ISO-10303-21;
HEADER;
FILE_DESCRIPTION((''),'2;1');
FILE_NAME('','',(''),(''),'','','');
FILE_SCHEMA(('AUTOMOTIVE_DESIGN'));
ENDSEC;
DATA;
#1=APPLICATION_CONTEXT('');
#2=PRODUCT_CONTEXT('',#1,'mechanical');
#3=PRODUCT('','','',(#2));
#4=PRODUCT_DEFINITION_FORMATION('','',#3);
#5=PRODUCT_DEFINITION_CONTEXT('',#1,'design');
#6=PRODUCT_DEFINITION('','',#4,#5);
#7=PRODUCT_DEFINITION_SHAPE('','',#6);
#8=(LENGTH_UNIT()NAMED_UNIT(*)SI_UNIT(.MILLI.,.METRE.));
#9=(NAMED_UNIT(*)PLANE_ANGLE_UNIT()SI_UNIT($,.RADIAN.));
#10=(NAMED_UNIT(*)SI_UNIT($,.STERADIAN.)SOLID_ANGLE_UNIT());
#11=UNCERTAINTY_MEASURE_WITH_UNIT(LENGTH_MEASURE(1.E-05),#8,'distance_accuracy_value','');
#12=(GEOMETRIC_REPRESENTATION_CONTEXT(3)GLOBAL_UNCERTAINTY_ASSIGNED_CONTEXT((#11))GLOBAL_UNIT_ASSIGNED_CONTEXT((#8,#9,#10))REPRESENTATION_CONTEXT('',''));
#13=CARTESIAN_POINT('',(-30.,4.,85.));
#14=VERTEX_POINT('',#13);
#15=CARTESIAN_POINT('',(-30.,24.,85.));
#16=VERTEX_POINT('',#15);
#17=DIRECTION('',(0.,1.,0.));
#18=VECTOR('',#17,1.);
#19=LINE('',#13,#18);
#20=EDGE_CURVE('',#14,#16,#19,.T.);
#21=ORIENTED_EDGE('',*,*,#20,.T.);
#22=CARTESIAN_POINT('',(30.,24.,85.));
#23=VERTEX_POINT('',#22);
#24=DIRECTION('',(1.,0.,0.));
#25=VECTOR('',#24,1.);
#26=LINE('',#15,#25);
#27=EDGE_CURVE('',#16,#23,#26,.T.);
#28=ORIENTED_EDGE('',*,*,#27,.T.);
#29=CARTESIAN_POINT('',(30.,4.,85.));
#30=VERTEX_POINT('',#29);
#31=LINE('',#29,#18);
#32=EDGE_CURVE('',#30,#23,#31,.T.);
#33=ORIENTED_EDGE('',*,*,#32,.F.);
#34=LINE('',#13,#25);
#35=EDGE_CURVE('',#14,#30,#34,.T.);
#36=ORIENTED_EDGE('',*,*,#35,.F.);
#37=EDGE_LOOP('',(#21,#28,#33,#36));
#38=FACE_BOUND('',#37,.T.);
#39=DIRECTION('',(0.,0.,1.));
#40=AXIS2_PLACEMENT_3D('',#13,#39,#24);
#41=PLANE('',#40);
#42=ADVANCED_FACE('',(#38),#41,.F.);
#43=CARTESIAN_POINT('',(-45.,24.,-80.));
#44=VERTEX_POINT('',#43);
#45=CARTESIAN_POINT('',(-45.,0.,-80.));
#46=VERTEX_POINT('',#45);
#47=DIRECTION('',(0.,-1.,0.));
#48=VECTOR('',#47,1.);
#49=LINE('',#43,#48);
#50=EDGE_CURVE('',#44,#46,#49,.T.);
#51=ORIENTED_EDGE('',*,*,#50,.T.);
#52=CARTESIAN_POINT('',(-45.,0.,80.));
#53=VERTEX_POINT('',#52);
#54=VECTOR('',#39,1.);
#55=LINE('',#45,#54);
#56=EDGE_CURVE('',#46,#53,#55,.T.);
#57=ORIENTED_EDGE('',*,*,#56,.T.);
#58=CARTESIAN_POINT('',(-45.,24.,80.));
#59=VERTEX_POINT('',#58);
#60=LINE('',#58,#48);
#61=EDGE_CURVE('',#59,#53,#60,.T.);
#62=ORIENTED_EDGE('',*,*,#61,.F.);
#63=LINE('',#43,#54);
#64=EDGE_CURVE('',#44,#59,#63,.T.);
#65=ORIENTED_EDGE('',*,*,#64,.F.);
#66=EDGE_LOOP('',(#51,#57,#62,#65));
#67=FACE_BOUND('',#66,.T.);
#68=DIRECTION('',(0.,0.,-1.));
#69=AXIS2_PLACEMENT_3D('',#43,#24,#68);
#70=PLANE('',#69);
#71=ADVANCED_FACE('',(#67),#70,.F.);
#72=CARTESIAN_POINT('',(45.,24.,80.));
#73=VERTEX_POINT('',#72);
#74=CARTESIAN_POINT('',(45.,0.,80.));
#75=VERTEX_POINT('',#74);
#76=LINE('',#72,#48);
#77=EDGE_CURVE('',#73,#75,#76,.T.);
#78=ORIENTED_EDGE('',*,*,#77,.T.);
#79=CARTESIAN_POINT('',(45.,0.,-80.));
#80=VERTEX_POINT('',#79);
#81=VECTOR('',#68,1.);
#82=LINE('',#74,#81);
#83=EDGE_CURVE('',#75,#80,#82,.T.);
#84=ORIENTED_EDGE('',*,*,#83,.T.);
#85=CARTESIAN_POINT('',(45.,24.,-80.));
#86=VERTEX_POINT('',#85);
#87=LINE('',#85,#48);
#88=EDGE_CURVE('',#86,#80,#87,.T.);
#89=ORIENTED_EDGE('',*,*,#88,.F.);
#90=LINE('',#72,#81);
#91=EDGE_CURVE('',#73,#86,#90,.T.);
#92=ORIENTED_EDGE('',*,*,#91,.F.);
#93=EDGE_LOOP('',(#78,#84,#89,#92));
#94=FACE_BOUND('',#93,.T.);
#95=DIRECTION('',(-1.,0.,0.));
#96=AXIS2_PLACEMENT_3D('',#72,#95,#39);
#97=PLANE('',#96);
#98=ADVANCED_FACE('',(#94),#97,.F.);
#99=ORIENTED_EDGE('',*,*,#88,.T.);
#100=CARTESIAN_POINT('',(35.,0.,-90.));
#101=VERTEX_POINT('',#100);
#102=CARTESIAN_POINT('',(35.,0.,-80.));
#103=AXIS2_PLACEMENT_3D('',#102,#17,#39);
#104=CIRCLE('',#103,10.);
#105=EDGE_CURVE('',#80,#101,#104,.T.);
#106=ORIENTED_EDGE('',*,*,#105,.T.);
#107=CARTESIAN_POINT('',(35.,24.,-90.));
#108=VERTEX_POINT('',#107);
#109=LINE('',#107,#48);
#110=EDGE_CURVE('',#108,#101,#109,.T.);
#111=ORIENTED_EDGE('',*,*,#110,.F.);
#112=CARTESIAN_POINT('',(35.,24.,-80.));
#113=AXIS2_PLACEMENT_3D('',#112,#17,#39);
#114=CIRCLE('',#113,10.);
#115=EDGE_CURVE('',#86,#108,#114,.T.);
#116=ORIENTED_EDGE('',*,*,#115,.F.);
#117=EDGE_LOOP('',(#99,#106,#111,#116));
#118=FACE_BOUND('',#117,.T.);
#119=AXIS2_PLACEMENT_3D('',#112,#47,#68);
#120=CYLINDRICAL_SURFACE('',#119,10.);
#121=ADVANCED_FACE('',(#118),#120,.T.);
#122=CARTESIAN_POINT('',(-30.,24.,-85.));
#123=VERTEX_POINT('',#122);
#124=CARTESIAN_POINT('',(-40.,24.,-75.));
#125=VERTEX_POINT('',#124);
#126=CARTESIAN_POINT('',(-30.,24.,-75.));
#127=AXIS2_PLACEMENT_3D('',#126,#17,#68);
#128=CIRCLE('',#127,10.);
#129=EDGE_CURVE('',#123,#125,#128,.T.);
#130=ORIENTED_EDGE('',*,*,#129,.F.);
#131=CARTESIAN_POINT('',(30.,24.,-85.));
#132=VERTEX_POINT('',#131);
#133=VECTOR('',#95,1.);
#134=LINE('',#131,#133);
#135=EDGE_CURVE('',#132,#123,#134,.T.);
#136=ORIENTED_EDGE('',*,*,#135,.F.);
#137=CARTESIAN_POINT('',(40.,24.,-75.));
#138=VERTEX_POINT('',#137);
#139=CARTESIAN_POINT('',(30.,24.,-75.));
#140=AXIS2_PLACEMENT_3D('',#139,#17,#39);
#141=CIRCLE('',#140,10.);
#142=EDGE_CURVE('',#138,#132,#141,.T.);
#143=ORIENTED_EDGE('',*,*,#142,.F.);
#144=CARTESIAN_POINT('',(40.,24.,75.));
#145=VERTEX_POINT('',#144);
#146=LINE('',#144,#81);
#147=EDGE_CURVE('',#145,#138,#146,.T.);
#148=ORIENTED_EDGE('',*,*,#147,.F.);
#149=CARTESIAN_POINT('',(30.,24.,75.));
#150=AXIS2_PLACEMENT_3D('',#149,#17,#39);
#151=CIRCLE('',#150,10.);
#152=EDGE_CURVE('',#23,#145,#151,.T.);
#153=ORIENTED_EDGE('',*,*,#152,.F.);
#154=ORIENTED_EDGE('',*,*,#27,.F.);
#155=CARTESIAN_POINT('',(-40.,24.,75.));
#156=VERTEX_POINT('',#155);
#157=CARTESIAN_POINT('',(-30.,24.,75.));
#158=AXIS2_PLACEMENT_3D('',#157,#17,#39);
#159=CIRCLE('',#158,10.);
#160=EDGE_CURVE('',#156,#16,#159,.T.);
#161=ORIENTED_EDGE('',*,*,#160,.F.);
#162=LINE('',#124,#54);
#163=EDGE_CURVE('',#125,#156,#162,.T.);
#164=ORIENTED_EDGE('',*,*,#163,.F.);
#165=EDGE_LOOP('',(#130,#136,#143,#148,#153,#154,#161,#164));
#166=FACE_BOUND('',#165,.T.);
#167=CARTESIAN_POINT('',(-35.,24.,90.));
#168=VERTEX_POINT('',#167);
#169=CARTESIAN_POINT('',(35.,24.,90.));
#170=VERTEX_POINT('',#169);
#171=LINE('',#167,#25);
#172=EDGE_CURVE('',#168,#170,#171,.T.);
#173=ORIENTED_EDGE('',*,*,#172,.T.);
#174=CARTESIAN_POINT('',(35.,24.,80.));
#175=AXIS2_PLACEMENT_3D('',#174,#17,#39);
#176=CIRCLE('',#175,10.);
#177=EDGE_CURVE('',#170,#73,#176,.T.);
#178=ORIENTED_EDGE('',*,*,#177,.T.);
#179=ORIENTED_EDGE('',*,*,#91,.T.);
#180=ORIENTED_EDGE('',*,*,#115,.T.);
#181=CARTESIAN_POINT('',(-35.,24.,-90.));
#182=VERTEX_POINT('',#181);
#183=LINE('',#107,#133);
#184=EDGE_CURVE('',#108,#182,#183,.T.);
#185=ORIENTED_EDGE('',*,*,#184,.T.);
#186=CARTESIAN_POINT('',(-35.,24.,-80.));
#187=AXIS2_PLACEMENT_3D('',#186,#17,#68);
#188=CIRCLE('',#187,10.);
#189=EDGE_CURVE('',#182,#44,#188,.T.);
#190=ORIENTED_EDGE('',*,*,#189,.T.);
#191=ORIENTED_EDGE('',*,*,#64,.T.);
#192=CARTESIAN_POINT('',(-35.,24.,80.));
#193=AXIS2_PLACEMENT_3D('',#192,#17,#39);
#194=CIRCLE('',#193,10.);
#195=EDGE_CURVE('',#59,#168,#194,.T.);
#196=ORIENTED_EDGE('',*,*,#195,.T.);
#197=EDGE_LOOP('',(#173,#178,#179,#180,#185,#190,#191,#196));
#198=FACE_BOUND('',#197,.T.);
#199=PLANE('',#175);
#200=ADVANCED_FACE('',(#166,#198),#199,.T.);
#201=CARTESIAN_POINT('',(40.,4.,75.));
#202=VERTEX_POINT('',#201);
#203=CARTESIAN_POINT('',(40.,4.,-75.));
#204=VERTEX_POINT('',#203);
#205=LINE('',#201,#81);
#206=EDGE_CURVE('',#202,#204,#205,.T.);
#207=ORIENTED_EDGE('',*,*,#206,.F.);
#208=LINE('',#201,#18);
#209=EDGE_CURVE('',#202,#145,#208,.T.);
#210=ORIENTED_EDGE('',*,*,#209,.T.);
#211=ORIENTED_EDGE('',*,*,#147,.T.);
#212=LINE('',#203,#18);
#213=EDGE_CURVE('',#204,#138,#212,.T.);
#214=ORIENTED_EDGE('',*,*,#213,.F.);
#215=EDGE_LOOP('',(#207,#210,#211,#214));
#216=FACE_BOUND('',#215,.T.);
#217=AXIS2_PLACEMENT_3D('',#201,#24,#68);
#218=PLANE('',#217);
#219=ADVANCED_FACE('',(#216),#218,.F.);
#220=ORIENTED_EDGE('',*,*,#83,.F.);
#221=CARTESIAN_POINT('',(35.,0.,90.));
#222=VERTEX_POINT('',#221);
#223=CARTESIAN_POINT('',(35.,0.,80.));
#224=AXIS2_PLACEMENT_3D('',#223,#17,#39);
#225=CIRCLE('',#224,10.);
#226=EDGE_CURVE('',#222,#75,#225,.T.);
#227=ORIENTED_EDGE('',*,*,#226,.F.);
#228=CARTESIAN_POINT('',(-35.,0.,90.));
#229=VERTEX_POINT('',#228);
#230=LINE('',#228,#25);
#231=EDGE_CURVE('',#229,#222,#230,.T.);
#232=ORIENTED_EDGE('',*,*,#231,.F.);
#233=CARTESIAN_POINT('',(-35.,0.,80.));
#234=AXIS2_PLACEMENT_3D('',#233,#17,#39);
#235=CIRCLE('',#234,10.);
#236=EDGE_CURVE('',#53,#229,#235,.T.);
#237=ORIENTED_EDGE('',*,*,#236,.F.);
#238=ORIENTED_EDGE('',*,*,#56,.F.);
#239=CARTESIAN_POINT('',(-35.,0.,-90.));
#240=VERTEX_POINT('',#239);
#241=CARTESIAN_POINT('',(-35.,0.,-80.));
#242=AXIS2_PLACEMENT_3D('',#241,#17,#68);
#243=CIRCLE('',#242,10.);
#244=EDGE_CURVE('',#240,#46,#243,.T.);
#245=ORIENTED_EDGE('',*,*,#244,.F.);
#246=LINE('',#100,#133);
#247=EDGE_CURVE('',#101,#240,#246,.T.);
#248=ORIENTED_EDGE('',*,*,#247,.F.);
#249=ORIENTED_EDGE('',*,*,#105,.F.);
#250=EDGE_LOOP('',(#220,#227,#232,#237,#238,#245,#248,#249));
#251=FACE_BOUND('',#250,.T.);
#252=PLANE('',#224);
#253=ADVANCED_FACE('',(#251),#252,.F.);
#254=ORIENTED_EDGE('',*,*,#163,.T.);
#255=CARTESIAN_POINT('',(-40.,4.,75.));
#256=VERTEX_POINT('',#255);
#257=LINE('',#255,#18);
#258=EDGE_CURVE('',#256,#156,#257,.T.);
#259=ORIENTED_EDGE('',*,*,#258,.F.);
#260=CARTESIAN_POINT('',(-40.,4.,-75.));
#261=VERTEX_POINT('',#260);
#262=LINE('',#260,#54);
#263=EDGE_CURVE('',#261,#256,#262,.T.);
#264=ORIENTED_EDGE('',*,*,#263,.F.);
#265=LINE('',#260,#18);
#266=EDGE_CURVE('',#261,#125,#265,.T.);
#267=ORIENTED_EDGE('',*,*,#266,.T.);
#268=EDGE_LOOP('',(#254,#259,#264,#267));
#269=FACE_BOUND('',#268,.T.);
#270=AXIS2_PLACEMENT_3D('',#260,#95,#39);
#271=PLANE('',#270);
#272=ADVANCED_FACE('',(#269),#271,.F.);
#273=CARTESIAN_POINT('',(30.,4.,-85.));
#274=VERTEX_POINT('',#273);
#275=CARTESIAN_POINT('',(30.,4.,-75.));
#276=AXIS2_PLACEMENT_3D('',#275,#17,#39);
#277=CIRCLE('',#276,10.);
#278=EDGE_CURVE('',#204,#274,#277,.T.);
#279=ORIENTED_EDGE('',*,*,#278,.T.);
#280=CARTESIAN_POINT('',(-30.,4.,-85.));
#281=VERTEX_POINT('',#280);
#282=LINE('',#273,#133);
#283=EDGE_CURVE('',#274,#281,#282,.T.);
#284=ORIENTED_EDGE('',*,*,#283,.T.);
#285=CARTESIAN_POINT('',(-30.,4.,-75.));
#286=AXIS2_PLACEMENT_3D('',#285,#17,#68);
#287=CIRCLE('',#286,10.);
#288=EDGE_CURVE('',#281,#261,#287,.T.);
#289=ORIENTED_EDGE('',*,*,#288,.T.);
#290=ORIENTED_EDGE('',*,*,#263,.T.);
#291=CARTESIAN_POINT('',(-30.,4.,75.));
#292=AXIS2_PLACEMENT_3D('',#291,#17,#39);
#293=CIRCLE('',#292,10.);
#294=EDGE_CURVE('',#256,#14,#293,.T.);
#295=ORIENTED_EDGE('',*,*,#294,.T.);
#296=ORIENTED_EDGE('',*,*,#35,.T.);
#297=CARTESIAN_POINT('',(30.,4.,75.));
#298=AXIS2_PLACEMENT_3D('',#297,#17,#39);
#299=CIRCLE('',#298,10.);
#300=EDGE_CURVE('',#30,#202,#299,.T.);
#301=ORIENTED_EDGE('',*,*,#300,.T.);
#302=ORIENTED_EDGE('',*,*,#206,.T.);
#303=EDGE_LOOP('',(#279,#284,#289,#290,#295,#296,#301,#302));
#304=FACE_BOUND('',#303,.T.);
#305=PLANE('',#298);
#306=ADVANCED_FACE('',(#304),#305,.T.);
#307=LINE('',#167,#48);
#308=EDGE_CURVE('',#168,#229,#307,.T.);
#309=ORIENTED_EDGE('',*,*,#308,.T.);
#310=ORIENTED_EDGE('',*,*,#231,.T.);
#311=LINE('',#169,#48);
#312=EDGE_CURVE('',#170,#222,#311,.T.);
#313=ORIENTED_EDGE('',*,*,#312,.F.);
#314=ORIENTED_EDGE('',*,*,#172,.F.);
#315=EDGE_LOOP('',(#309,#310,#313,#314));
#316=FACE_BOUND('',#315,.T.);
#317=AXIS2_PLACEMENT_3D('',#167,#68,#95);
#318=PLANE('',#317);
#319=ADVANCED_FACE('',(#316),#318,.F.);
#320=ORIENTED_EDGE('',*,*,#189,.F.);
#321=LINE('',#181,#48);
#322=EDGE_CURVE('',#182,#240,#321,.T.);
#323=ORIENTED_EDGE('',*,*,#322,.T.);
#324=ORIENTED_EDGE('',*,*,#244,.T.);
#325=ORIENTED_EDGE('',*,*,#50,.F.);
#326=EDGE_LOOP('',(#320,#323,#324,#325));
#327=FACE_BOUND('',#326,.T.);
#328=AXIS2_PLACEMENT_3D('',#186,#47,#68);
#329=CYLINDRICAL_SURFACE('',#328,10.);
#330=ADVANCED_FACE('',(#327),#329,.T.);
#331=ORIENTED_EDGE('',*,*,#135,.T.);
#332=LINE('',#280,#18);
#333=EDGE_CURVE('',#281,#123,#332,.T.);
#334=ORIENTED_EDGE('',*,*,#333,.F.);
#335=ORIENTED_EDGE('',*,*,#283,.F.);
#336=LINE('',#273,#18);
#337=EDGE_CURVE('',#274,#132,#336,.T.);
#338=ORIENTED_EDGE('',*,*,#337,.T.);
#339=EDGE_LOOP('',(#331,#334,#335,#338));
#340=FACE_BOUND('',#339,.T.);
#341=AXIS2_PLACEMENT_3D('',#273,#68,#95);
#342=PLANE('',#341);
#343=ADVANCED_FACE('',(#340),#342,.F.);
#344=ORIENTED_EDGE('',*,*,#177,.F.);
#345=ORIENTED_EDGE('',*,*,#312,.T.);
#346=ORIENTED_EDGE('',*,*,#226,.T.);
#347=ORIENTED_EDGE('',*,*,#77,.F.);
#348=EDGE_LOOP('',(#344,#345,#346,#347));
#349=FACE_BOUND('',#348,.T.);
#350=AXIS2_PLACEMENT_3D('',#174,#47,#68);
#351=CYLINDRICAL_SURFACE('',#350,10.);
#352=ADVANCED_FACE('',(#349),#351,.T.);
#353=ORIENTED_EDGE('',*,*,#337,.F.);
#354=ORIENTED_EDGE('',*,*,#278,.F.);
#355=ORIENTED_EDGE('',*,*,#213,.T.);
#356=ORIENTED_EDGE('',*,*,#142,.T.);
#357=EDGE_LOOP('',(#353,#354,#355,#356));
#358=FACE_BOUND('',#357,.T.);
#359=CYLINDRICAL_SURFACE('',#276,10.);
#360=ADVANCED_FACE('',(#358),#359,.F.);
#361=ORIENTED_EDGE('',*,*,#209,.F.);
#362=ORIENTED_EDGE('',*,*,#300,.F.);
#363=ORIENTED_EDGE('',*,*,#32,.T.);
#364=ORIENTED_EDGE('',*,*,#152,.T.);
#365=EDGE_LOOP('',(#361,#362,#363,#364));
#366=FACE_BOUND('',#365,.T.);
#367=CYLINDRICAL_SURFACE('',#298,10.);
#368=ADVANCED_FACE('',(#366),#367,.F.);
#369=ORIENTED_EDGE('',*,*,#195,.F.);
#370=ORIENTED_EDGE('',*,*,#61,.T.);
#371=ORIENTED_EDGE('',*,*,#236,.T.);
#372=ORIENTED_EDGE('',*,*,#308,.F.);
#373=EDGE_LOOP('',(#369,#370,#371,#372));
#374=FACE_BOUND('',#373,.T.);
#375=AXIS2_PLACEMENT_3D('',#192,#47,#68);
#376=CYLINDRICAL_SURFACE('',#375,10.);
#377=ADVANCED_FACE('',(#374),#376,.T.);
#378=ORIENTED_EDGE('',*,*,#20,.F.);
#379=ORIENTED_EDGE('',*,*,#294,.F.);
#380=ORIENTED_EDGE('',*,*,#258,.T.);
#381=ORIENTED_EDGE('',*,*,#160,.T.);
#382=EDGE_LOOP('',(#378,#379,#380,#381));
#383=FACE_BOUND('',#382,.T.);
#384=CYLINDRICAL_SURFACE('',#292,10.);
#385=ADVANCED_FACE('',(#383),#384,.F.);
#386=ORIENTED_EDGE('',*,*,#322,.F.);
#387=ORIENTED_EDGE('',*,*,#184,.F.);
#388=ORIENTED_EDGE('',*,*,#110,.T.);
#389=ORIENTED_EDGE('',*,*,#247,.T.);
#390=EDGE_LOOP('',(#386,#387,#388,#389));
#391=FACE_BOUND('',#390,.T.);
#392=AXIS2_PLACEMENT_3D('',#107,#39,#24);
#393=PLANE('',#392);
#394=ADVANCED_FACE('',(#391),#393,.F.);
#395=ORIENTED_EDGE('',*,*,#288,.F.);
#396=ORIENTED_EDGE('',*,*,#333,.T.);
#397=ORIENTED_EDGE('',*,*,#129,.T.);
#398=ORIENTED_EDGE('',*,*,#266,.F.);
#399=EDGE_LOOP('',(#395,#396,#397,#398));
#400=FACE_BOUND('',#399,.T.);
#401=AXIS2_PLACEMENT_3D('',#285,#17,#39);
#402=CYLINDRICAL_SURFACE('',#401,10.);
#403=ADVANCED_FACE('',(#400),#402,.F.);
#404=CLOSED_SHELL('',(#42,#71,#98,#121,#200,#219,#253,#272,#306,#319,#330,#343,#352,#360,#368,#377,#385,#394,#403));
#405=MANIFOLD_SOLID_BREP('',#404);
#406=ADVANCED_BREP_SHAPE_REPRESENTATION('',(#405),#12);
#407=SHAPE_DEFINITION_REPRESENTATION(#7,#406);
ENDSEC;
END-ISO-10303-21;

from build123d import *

# Parameters (mm, degrees)
BOSS_EXTRUDE1_DEPTH = 24
CUT_EXTRUDE1_DEPTH  = 20


with BuildPart() as part:
    # Sketch3 → Boss-Extrude1 (new body)
    with BuildSketch(Plane(origin=(0, 0, 0), x_dir=(1, 0, 0), z_dir=(0, 1, 0))):
        with BuildLine():
            Line((-45, 80), (-45, -80))
            ThreePointArc((-45, -80), (-42.071067812, -87.071067812), (-35, -90))
            Line((-35, -90), (35, -90))
            ThreePointArc((35, -90), (42.071067812, -87.071067812), (45, -80))
            Line((45, -80), (45, 80))
            ThreePointArc((45, 80), (42.071067812, 87.071067812), (35, 90))
            Line((35, 90), (-35, 90))
            ThreePointArc((-35, 90), (-42.071067812, 87.071067812), (-45, 80))
        make_face()
    extrude(amount=BOSS_EXTRUDE1_DEPTH)

    # Sketch4 → Cut-Extrude1 (cut)
    with BuildSketch(Plane(origin=(0, 24, 0), x_dir=(1, 0, 0), z_dir=(0, 1, 0))):
        with BuildLine():
            Line((-40, 75), (-40, -75))
            ThreePointArc((-40, -75), (-37.071067812, -82.071067812), (-30, -85))
            Line((-30, -85), (30, -85))
            ThreePointArc((30, -85), (37.071067812, -82.071067812), (40, -75))
            Line((40, -75), (40, 75))
            ThreePointArc((40, 75), (37.071067812, 82.071067812), (30, 85))
            Line((30, 85), (-30, 85))
            ThreePointArc((-30, 85), (-37.071067812, 82.071067812), (-40, 75))
        make_face()
    extrude(amount=-CUT_EXTRUDE1_DEPTH, mode=Mode.SUBTRACT)


solid = part.part
